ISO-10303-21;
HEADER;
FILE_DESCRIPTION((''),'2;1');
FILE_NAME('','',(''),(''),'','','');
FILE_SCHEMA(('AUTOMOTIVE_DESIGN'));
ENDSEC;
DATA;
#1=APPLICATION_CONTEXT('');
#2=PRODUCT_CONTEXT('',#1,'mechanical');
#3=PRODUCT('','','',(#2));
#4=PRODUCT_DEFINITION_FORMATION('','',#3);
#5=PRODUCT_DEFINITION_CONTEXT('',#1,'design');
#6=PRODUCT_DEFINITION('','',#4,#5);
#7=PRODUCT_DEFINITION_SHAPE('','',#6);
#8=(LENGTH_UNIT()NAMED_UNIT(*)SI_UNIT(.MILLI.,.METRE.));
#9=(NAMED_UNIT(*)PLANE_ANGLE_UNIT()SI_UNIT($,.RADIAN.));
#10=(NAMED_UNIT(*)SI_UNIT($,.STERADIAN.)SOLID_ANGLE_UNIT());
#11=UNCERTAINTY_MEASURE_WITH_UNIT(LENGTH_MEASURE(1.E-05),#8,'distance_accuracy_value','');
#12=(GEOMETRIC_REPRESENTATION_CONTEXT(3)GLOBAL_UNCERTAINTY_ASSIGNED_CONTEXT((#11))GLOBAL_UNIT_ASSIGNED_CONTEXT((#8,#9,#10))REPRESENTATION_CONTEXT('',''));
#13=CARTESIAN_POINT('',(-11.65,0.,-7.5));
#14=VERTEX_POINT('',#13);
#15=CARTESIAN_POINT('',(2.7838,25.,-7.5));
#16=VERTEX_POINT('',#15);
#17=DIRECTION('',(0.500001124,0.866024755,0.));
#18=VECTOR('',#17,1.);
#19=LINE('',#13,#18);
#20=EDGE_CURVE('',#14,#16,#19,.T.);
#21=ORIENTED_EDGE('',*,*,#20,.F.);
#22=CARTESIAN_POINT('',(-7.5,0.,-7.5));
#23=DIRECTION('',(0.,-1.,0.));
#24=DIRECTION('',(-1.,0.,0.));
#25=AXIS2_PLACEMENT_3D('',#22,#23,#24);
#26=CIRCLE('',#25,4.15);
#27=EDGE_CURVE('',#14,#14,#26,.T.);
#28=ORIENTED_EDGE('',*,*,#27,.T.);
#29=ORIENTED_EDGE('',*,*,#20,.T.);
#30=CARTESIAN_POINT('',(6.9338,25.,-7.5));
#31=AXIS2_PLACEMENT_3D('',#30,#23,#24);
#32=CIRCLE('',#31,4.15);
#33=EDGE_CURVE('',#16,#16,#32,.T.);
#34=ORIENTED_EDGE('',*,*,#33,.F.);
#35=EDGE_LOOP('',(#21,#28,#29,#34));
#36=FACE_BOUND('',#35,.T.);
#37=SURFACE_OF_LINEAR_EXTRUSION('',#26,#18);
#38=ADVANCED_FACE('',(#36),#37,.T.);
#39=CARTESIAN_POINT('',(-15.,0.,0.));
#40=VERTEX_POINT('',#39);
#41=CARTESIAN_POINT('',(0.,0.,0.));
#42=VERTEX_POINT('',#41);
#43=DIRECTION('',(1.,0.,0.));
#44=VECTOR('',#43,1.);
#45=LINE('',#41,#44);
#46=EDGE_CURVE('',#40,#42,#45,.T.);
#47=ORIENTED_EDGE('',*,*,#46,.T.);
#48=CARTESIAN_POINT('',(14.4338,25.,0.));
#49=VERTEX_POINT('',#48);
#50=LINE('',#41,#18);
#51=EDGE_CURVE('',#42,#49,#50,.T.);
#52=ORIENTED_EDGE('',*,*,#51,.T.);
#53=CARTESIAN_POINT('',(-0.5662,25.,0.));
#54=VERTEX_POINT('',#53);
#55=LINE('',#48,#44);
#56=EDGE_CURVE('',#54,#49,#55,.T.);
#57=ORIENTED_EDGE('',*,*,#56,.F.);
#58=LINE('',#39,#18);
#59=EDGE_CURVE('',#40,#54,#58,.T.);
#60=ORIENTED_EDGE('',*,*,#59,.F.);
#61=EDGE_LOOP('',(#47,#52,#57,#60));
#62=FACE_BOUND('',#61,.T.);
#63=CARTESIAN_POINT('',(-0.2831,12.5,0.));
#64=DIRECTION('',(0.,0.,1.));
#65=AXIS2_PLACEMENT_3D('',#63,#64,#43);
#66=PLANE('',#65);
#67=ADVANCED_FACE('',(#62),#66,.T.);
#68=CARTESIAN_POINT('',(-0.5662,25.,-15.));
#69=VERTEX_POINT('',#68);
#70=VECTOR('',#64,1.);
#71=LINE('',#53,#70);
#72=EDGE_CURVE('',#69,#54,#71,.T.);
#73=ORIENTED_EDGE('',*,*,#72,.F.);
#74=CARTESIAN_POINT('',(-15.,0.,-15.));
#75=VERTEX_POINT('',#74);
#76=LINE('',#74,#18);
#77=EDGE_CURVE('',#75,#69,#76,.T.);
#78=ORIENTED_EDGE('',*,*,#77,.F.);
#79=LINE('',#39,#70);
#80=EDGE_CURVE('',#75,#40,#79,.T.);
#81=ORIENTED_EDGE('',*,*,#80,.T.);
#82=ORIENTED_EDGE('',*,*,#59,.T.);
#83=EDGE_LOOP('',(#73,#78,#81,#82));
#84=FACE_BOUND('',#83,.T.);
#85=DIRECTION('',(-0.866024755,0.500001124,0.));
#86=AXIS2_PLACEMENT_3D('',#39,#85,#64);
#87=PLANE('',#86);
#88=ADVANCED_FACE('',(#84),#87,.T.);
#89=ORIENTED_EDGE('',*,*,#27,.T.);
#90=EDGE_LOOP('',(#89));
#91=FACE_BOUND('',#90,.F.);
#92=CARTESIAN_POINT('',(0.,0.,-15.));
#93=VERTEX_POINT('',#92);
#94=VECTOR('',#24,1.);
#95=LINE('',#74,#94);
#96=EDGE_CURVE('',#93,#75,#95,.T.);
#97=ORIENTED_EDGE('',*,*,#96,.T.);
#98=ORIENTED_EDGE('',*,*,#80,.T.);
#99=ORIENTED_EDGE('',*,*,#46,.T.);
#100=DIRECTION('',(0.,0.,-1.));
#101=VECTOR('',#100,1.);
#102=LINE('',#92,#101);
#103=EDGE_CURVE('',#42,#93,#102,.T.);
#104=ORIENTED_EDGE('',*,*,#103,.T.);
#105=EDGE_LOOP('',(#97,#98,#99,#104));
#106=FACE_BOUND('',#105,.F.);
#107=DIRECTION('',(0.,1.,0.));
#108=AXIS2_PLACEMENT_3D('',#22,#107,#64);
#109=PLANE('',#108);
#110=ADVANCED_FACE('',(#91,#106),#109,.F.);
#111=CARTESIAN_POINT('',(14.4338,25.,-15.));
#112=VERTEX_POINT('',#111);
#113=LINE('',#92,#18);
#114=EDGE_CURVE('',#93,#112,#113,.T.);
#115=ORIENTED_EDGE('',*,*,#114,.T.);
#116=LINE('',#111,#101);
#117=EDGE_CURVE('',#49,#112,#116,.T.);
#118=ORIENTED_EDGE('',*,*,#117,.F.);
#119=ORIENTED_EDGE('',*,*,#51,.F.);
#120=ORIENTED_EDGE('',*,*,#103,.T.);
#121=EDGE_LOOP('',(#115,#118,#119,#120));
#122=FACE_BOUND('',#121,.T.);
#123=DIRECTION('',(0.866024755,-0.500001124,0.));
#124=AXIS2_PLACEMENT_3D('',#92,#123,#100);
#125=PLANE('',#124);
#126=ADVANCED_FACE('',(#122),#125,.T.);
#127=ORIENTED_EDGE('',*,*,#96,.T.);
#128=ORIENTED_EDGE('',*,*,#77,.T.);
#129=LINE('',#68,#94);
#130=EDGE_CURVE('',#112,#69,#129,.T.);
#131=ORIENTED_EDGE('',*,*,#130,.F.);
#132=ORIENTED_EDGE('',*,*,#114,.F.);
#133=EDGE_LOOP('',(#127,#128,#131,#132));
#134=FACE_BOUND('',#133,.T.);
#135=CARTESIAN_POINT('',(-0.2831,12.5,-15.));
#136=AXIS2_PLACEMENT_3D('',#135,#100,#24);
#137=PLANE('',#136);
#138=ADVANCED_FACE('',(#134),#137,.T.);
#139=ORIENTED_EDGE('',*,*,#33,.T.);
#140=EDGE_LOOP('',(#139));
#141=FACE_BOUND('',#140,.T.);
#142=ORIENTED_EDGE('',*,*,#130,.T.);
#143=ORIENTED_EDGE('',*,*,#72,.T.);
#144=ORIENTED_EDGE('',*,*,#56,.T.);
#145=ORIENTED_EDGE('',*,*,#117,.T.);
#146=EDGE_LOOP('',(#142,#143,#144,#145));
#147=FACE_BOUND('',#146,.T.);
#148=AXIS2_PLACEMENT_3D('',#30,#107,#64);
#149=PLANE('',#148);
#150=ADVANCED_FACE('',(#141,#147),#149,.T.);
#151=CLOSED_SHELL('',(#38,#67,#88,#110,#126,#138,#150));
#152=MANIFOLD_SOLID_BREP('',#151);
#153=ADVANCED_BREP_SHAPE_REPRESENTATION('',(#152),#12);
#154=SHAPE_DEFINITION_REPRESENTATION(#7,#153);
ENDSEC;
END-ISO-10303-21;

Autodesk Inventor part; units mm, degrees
ref_plane "YZ Plane" through (0, 0, 0) normal (1, 0, 0) x (0, 1, 0)
ref_plane "XZ Plane" through (0, 0, 0) normal (0, 1, 0) x (-1, 0, 0)
ref_plane "XY Plane" through (0, 0, 0) normal (0, 0, 1) x (1, 0, 0)
sketch "Sketch1" plane through (0, 0, 0) normal (0, 1, 0) x (-1, 0, 0)
  line L0 (0, 0) -> (15, 0)
  line L1 (15, 0) -> (15, -15)
  line L2 (15, -15) -> (0, -15)
  line L3 (0, -15) -> (0, 0)
  circle A0 centre (7.5, -7.5) radius 4.15
  dimension "soporte_largo" = 15
  dimension "soporte_ancho" = 15
  dimension "soporte_hueco_diametro" = 8.3
  dimension "soporte_hueco_pos_ancho" = 7.5
  dimension "soporte_hueco_pos_largo" = 7.5
sketch "Sketch2" plane through (0, 0, 0) normal (0, 0, 1) x (1, 0, 0)
  line L0 (0, 0) -> (14.4338, 25)
  line L1 (0, 0) -> (28.8675, 0) construction
  dimension "soporte_inclinacion" = 60
  dimension "soporte_alterura" = 25
sweep "Sweep1" add profiles "Sketch1" path "Sketch2"
equation "\"soporte_hueco_pos_ancho\" = 0.5 * soporte_ancho"
equation "\"soporte_hueco_pos_largo\" = 0.5 * soporte_largo"
equation "\"tol1\" = 0.1"
equation "\"tol2\" = 0.2"
equation "\"tol3\" = 0.3"
equation "\"tol4\" = 0.4"
equation "\"tol5\" = 0.5"
equation "\"tol6\" = 0.6"
equation "\"tol7\" = 0.7"
equation "\"tol8\" = 0.8"
equation "\"tol9\" = 0.9"
equation "\"tol\" = 7"
properties part number "TestSoporte"
